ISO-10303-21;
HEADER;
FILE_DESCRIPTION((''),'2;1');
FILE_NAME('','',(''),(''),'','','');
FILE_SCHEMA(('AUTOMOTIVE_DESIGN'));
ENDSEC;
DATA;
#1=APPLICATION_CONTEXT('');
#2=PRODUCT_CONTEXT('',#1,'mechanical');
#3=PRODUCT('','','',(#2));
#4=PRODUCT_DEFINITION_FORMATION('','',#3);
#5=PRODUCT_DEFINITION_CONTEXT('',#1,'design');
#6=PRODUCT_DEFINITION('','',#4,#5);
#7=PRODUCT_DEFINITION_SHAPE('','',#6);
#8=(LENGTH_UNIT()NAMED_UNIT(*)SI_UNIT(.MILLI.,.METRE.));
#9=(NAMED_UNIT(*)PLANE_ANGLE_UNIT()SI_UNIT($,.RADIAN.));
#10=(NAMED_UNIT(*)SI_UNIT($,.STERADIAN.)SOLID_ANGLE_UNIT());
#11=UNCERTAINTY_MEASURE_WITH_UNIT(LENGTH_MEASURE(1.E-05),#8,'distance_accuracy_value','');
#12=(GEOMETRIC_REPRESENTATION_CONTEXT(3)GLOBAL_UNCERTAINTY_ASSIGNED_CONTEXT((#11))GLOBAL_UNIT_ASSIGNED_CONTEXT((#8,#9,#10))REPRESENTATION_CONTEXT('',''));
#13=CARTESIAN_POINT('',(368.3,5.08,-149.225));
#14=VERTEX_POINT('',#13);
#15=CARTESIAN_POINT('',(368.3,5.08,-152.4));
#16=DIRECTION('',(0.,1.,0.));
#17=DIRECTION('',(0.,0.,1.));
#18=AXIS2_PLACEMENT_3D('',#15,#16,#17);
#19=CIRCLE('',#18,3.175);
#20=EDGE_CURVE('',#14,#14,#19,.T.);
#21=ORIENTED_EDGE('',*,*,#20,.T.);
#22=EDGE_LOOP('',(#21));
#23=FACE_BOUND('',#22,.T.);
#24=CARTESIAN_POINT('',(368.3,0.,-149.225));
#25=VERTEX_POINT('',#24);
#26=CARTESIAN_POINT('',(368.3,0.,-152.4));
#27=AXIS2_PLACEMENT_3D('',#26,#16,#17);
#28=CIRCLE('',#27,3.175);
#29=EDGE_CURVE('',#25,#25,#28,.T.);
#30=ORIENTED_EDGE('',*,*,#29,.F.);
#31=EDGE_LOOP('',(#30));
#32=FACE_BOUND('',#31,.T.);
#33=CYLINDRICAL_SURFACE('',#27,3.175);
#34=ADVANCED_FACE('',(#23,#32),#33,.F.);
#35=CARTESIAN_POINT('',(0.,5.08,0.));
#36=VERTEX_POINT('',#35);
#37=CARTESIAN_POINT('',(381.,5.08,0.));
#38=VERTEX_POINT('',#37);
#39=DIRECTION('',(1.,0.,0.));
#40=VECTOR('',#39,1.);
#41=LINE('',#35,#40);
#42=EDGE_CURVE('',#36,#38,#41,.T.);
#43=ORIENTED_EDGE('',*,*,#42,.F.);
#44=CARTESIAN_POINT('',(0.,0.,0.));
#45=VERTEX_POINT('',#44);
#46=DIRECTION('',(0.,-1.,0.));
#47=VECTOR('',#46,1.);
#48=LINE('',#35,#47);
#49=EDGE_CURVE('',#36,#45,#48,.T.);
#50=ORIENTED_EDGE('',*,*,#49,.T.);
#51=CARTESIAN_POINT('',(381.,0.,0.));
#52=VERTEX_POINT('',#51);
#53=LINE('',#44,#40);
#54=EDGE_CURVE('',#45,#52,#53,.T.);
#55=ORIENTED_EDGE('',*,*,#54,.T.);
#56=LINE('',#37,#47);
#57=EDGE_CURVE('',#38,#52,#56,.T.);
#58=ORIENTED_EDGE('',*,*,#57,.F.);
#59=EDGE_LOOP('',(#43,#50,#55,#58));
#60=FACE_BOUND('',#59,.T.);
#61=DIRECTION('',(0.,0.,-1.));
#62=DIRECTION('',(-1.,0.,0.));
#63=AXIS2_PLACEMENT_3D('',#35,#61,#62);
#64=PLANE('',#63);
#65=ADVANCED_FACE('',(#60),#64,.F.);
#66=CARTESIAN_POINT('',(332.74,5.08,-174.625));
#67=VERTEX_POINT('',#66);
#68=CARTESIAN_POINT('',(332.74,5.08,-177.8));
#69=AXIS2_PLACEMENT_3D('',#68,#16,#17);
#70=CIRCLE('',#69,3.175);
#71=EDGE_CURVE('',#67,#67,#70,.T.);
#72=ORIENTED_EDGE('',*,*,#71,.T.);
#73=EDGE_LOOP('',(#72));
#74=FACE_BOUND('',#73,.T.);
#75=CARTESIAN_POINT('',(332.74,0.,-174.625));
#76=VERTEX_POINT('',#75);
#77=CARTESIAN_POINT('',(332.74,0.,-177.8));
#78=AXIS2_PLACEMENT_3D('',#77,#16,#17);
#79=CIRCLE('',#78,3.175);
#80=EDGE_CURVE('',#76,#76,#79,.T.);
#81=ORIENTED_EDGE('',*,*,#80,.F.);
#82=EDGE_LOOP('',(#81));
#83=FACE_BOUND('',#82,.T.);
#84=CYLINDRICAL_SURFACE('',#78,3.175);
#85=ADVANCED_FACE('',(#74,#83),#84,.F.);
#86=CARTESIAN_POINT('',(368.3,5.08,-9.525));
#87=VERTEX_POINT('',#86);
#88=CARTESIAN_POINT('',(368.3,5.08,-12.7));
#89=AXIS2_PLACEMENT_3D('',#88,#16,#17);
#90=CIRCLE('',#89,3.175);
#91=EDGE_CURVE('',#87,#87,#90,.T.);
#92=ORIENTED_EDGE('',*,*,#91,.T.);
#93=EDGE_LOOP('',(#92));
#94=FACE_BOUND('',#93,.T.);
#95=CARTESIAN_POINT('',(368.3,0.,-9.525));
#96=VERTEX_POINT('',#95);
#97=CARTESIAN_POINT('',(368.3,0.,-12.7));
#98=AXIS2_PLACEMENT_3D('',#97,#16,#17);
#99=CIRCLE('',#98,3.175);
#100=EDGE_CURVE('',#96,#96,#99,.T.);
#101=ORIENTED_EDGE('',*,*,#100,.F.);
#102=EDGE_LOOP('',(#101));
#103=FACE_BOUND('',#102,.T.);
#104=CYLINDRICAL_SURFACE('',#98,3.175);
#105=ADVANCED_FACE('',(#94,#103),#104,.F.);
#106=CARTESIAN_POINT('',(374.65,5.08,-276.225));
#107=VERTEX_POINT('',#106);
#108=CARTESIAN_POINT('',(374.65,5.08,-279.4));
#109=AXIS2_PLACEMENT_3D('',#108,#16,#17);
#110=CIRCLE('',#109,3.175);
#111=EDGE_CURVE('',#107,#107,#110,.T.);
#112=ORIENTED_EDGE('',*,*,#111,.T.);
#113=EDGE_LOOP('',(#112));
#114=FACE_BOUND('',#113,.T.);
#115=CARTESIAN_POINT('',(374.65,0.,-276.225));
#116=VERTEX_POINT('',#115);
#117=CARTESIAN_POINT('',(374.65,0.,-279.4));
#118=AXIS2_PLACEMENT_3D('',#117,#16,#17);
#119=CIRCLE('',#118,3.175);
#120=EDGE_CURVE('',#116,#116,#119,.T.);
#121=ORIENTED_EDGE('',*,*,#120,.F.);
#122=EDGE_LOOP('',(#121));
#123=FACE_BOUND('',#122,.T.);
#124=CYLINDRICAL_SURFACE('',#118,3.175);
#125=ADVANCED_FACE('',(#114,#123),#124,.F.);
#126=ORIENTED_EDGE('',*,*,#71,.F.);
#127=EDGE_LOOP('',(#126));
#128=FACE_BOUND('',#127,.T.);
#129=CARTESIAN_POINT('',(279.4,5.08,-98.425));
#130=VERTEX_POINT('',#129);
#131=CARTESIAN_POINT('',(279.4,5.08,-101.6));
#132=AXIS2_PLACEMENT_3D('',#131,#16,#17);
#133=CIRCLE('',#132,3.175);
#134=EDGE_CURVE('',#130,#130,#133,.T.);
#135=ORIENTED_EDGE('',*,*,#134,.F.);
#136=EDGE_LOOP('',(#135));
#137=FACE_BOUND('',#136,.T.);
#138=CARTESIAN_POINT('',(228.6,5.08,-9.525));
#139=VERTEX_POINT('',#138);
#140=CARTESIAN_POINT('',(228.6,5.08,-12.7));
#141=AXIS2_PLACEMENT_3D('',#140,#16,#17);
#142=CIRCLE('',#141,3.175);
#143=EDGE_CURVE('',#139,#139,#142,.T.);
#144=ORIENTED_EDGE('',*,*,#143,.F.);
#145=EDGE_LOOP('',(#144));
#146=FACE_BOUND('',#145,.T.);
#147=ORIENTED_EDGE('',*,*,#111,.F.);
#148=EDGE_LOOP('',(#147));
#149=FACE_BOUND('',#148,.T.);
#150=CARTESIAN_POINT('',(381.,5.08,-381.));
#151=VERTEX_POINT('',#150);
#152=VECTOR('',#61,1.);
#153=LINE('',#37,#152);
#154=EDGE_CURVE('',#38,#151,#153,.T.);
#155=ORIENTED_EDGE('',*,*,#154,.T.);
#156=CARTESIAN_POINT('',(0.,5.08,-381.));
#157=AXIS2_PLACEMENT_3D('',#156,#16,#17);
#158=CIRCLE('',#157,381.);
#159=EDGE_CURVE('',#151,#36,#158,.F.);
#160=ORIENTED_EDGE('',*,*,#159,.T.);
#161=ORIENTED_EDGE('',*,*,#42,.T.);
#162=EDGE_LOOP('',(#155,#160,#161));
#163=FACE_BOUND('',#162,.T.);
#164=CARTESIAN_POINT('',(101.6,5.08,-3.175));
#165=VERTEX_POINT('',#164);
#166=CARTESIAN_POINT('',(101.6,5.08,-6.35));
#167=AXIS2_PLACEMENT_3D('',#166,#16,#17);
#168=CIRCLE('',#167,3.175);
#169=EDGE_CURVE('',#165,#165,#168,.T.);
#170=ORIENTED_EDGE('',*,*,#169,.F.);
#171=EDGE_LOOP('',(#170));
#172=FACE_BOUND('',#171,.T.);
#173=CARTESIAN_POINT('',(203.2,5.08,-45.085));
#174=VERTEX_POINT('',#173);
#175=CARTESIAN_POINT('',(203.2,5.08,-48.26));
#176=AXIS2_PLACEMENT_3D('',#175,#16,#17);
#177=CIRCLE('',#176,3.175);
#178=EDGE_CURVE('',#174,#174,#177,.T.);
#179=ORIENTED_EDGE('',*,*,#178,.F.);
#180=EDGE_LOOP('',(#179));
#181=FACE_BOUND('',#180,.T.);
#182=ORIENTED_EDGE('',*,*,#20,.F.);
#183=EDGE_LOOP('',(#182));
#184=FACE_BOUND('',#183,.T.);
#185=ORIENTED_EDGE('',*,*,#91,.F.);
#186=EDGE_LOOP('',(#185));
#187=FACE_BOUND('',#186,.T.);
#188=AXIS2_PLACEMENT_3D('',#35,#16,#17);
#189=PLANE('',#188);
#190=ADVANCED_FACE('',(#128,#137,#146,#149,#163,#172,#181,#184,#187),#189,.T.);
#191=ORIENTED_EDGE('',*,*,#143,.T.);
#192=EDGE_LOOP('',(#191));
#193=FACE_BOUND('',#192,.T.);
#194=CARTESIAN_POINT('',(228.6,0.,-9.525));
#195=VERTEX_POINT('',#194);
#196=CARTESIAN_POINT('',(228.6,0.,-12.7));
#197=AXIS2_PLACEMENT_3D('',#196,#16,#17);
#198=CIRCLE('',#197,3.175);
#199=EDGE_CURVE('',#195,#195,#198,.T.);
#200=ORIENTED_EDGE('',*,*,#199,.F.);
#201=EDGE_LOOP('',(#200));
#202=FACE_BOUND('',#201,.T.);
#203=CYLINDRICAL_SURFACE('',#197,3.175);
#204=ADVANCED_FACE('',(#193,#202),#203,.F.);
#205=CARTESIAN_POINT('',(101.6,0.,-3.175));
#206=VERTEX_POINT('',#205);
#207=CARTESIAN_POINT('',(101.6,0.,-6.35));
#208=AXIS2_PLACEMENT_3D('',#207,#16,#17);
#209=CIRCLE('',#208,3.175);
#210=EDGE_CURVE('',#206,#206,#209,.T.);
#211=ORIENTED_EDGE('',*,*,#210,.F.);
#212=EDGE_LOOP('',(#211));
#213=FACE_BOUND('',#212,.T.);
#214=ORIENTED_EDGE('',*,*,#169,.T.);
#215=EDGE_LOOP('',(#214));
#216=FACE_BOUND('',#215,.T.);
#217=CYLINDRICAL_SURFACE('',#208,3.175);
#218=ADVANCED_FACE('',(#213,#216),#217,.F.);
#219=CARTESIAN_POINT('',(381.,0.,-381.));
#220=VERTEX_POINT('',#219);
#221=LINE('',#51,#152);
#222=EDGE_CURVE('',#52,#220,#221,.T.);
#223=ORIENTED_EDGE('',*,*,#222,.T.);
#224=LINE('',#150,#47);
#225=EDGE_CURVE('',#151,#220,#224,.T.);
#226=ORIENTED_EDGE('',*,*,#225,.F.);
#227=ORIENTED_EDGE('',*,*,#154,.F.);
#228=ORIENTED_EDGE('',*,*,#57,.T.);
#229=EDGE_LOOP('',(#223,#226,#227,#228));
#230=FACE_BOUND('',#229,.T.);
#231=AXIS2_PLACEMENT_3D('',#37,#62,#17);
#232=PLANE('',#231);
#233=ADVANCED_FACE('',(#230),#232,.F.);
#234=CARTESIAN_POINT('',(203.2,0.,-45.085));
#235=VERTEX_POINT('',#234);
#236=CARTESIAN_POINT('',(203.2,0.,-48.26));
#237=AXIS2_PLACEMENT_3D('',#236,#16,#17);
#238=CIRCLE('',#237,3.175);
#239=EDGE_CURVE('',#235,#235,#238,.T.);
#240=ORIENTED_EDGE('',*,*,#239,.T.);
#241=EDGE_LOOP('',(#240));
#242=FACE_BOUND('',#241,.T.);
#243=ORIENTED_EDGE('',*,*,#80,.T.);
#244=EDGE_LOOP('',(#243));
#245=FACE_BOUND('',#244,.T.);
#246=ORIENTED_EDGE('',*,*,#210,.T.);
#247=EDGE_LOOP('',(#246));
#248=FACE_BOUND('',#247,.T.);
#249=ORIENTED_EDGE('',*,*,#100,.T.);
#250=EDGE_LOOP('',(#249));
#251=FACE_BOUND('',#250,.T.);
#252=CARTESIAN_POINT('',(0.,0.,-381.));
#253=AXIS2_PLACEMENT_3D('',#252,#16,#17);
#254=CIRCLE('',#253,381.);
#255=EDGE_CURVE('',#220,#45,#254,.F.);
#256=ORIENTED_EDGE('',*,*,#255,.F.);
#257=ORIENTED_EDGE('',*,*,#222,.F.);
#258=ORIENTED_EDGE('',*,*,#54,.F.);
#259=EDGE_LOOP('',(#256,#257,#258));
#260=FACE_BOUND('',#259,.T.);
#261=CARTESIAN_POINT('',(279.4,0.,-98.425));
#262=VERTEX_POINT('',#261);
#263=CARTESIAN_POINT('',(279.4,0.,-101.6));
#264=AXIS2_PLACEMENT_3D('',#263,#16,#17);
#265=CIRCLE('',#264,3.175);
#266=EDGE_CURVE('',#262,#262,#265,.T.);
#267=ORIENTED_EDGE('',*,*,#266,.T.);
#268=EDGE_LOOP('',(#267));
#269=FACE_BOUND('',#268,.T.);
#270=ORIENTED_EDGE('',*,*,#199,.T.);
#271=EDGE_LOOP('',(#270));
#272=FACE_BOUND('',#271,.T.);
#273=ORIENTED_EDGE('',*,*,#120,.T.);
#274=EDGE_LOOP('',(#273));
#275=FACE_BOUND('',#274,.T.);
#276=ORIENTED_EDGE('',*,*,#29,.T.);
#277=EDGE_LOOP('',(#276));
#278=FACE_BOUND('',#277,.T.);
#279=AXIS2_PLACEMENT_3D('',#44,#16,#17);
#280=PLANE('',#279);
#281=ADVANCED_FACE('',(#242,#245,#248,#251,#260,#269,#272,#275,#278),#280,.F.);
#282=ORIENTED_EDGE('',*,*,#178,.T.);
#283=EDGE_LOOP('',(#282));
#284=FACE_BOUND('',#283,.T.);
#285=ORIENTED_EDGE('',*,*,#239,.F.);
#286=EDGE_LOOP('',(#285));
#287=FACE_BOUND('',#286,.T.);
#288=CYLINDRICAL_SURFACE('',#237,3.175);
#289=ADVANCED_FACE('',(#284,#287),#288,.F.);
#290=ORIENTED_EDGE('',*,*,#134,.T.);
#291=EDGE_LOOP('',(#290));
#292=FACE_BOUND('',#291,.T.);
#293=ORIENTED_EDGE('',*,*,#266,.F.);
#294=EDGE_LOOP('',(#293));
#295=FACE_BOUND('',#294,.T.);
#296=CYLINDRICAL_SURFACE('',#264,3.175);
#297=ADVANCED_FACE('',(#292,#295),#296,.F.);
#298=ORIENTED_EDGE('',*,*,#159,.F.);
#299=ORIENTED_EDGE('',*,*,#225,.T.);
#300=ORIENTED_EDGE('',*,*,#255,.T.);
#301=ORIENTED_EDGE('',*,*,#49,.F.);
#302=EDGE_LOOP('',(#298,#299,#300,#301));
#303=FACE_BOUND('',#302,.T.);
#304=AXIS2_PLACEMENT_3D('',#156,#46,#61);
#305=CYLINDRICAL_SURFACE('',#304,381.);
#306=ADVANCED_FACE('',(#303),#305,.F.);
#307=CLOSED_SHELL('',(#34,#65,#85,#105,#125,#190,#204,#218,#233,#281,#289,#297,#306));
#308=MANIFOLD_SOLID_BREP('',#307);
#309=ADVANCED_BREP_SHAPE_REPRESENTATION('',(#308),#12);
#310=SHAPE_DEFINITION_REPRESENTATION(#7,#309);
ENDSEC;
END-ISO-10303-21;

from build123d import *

# Parameters (mm, degrees)
BOSS_EXTRUDE1_DEPTH = 5.08
SKETCH3_R           = 3.175
CUT_EXTRUDE1_DEPTH  = 5.08


with BuildPart() as part:
    # Sketch1 → Boss-Extrude1 (new body)
    with BuildSketch(Plane(origin=(0, 0, 0), x_dir=(1, 0, 0), z_dir=(0, 1, 0))):
        with BuildLine():
            Line((381, 0), (381, 381))
            ThreePointArc((381, 381), (269.407683632, 111.592316368), (0, 0))
            Line((0, 0), (381, 0))
        make_face()
    extrude(amount=BOSS_EXTRUDE1_DEPTH)

    # Sketch3 → Cut-Extrude1 (cut)
    with BuildSketch(Plane(origin=(0, 5.08, 0), x_dir=(1, 0, 0), z_dir=(0, 1, 0))):
        with Locations(Location((101.6, 6.35, 0), (0, 0, 270))):
            Circle(SKETCH3_R)
        with Locations(Location((374.65, 279.4, 0), (0, 0, 270))):
            Circle(SKETCH3_R)
        with Locations(Location((368.3, 12.7, 0), (0, 0, 270))):
            Circle(SKETCH3_R)
        with Locations(Location((279.4, 101.6, 0), (0, 0, 270))):
            Circle(SKETCH3_R)
        with Locations(Location((203.2, 48.26, 0), (0, 0, 270))):
            Circle(SKETCH3_R)
        with Locations(Location((332.74, 177.8, 0), (0, 0, 270))):
            Circle(SKETCH3_R)
        with Locations(Location((228.6, 12.7, 0), (0, 0, 270))):
            Circle(SKETCH3_R)
        with Locations(Location((368.3, 152.4, 0), (0, 0, 270))):
            Circle(SKETCH3_R)
    extrude(amount=-CUT_EXTRUDE1_DEPTH, mode=Mode.SUBTRACT)


solid = part.part
